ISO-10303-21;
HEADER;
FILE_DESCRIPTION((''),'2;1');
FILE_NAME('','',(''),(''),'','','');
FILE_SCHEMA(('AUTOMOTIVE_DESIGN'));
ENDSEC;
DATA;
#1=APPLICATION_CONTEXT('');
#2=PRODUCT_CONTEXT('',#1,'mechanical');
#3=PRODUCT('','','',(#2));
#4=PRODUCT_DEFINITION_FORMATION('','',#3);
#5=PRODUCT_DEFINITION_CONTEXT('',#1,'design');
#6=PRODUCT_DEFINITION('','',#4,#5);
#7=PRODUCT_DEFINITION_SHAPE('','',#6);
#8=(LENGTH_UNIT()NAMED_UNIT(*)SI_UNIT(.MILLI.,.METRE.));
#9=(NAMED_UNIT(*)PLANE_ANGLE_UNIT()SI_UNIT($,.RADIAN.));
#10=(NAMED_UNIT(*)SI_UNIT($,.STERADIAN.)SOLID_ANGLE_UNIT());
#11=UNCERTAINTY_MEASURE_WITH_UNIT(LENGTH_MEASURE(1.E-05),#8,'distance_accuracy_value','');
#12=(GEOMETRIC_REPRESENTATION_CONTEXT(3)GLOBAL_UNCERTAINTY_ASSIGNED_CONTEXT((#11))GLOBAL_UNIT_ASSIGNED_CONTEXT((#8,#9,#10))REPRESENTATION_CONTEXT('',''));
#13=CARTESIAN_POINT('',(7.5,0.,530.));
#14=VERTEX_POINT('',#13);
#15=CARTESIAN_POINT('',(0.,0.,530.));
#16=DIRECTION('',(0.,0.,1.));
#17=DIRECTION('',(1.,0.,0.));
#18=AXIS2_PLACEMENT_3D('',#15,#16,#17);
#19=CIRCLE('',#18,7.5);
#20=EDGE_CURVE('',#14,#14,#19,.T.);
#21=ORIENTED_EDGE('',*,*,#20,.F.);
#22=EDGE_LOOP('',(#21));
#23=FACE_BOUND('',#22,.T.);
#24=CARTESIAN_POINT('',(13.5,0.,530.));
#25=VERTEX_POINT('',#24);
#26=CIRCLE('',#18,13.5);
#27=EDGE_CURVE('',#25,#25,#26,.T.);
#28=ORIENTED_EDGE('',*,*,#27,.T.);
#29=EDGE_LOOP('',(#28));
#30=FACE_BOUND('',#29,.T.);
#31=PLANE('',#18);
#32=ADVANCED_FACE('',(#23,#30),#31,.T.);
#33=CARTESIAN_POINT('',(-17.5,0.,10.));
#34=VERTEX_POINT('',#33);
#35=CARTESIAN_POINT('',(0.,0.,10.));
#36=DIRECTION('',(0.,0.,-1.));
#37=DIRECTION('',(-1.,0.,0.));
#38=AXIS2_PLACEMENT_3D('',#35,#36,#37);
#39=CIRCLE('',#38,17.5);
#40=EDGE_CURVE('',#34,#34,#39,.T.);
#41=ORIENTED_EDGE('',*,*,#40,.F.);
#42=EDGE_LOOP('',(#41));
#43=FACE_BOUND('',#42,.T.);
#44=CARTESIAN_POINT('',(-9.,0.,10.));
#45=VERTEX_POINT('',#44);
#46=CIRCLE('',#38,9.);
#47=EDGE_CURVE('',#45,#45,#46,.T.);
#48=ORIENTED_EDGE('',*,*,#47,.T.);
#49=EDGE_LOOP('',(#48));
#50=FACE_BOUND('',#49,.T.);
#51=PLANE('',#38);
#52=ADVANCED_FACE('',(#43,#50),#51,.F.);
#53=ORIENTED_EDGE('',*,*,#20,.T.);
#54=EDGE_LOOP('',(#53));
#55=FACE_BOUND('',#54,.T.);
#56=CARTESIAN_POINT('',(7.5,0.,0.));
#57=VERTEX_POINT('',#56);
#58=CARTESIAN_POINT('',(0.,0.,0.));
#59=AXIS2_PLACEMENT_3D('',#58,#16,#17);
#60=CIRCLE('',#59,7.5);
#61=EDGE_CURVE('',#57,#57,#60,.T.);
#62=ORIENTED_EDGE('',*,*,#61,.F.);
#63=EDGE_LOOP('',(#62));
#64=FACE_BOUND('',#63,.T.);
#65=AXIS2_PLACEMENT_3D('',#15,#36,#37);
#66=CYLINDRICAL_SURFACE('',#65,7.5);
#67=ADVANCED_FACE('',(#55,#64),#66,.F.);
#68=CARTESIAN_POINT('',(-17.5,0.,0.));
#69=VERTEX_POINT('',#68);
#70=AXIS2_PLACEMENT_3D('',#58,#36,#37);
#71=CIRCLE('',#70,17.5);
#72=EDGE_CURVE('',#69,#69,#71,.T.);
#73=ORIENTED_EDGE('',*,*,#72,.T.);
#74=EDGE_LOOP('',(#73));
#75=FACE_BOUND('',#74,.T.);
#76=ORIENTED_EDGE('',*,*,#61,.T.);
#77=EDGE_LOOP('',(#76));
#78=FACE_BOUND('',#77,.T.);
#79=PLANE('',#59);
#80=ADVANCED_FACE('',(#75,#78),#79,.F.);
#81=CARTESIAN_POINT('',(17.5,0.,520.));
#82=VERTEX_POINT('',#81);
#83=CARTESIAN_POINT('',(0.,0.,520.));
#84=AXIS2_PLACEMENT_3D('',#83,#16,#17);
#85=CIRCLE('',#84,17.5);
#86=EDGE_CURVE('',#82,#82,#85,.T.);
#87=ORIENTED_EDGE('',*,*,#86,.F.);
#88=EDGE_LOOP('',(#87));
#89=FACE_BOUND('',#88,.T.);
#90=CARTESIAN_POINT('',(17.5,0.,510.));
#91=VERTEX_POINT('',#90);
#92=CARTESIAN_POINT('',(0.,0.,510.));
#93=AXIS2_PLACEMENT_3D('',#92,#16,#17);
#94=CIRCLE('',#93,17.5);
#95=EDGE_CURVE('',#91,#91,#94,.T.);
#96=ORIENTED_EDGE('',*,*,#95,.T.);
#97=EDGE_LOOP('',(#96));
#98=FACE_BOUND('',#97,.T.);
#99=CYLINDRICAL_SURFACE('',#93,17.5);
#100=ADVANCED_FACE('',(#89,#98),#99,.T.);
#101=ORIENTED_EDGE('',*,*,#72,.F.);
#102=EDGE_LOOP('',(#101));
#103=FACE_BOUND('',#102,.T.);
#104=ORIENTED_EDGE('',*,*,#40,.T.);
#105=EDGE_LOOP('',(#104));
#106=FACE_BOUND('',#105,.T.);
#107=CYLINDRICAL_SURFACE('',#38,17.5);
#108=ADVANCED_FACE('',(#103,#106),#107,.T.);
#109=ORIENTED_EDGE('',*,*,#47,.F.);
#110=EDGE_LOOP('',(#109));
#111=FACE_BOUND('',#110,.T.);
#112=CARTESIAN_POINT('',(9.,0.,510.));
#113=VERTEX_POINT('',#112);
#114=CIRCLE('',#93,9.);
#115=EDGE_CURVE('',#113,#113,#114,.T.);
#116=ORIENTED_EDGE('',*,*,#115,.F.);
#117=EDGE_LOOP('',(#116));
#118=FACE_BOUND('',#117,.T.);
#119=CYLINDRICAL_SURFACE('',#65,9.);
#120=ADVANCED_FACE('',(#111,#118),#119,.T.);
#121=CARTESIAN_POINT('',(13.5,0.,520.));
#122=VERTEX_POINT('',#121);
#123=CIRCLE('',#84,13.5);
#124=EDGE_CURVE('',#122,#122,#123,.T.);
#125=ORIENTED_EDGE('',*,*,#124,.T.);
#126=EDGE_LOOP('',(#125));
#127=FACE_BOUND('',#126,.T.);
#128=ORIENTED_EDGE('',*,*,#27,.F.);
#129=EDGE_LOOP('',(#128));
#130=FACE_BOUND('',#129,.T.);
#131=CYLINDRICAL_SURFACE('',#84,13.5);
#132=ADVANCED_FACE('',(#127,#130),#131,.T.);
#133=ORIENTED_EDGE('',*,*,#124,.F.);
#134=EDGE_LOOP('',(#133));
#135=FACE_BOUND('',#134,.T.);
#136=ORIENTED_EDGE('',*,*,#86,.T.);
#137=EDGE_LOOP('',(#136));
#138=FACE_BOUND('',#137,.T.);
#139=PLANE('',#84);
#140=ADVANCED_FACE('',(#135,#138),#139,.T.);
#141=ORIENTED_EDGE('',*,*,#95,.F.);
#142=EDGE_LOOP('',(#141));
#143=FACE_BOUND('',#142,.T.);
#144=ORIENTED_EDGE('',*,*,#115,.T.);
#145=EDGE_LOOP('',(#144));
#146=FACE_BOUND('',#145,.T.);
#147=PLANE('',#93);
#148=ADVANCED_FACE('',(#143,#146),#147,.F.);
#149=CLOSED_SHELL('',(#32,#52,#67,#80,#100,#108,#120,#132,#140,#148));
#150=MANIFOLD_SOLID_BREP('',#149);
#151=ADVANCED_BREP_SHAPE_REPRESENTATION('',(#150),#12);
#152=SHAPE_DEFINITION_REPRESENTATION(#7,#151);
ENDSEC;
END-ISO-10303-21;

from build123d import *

# Parameters (mm, degrees)
SKETCH1_R           = 9
SKETCH1_R_2         = 7.5
BOSS_EXTRUDE1_DEPTH = 530
SKETCH2_R           = 17.5
SKETCH2_R_2         = 7.5
BOSS_EXTRUDE2_DEPTH = 10
BOSS_EXTRUDE3_START = -20
SKETCH3_R           = 17.5
SKETCH3_R_2         = 7.5
BOSS_EXTRUDE3_DEPTH = 20
CUT_EXTRUDE1_START  = -10
SKETCH4_R           = 17.5
SKETCH4_R_2         = 13.5
CUT_EXTRUDE1_DEPTH  = 10


with BuildPart() as part:
    # Sketch1 → Boss-Extrude1 (new body)
    with BuildSketch(Plane.XY):
        Circle(SKETCH1_R)
        Circle(SKETCH1_R_2, mode=Mode.SUBTRACT)
    extrude(amount=BOSS_EXTRUDE1_DEPTH)

    # Sketch2 → Boss-Extrude2 (add)
    with BuildSketch(Plane(origin=(0, 0, 0), x_dir=(-1, 0, 0), z_dir=(0, 0, -1))):
        Circle(SKETCH2_R)
        with Locations(Location((0, 0, 0), (0, 0, 180))):
            Circle(SKETCH2_R_2, mode=Mode.SUBTRACT)
    extrude(amount=-BOSS_EXTRUDE2_DEPTH)

    # Sketch3 → Boss-Extrude3 (add)
    with BuildSketch(Plane.XY.offset(530).offset(BOSS_EXTRUDE3_START)):
        with Locations(Location((0, 0, 0), (0, 0, 180))):
            Circle(SKETCH3_R)
        Circle(SKETCH3_R_2, mode=Mode.SUBTRACT)
    extrude(amount=BOSS_EXTRUDE3_DEPTH)

    # Sketch4 → Cut-Extrude1 (cut)
    with BuildSketch(Plane.XY.offset(530).offset(CUT_EXTRUDE1_START)):
        Circle(SKETCH4_R)
        Circle(SKETCH4_R_2, mode=Mode.SUBTRACT)
    extrude(amount=CUT_EXTRUDE1_DEPTH, mode=Mode.SUBTRACT)


solid = part.part
